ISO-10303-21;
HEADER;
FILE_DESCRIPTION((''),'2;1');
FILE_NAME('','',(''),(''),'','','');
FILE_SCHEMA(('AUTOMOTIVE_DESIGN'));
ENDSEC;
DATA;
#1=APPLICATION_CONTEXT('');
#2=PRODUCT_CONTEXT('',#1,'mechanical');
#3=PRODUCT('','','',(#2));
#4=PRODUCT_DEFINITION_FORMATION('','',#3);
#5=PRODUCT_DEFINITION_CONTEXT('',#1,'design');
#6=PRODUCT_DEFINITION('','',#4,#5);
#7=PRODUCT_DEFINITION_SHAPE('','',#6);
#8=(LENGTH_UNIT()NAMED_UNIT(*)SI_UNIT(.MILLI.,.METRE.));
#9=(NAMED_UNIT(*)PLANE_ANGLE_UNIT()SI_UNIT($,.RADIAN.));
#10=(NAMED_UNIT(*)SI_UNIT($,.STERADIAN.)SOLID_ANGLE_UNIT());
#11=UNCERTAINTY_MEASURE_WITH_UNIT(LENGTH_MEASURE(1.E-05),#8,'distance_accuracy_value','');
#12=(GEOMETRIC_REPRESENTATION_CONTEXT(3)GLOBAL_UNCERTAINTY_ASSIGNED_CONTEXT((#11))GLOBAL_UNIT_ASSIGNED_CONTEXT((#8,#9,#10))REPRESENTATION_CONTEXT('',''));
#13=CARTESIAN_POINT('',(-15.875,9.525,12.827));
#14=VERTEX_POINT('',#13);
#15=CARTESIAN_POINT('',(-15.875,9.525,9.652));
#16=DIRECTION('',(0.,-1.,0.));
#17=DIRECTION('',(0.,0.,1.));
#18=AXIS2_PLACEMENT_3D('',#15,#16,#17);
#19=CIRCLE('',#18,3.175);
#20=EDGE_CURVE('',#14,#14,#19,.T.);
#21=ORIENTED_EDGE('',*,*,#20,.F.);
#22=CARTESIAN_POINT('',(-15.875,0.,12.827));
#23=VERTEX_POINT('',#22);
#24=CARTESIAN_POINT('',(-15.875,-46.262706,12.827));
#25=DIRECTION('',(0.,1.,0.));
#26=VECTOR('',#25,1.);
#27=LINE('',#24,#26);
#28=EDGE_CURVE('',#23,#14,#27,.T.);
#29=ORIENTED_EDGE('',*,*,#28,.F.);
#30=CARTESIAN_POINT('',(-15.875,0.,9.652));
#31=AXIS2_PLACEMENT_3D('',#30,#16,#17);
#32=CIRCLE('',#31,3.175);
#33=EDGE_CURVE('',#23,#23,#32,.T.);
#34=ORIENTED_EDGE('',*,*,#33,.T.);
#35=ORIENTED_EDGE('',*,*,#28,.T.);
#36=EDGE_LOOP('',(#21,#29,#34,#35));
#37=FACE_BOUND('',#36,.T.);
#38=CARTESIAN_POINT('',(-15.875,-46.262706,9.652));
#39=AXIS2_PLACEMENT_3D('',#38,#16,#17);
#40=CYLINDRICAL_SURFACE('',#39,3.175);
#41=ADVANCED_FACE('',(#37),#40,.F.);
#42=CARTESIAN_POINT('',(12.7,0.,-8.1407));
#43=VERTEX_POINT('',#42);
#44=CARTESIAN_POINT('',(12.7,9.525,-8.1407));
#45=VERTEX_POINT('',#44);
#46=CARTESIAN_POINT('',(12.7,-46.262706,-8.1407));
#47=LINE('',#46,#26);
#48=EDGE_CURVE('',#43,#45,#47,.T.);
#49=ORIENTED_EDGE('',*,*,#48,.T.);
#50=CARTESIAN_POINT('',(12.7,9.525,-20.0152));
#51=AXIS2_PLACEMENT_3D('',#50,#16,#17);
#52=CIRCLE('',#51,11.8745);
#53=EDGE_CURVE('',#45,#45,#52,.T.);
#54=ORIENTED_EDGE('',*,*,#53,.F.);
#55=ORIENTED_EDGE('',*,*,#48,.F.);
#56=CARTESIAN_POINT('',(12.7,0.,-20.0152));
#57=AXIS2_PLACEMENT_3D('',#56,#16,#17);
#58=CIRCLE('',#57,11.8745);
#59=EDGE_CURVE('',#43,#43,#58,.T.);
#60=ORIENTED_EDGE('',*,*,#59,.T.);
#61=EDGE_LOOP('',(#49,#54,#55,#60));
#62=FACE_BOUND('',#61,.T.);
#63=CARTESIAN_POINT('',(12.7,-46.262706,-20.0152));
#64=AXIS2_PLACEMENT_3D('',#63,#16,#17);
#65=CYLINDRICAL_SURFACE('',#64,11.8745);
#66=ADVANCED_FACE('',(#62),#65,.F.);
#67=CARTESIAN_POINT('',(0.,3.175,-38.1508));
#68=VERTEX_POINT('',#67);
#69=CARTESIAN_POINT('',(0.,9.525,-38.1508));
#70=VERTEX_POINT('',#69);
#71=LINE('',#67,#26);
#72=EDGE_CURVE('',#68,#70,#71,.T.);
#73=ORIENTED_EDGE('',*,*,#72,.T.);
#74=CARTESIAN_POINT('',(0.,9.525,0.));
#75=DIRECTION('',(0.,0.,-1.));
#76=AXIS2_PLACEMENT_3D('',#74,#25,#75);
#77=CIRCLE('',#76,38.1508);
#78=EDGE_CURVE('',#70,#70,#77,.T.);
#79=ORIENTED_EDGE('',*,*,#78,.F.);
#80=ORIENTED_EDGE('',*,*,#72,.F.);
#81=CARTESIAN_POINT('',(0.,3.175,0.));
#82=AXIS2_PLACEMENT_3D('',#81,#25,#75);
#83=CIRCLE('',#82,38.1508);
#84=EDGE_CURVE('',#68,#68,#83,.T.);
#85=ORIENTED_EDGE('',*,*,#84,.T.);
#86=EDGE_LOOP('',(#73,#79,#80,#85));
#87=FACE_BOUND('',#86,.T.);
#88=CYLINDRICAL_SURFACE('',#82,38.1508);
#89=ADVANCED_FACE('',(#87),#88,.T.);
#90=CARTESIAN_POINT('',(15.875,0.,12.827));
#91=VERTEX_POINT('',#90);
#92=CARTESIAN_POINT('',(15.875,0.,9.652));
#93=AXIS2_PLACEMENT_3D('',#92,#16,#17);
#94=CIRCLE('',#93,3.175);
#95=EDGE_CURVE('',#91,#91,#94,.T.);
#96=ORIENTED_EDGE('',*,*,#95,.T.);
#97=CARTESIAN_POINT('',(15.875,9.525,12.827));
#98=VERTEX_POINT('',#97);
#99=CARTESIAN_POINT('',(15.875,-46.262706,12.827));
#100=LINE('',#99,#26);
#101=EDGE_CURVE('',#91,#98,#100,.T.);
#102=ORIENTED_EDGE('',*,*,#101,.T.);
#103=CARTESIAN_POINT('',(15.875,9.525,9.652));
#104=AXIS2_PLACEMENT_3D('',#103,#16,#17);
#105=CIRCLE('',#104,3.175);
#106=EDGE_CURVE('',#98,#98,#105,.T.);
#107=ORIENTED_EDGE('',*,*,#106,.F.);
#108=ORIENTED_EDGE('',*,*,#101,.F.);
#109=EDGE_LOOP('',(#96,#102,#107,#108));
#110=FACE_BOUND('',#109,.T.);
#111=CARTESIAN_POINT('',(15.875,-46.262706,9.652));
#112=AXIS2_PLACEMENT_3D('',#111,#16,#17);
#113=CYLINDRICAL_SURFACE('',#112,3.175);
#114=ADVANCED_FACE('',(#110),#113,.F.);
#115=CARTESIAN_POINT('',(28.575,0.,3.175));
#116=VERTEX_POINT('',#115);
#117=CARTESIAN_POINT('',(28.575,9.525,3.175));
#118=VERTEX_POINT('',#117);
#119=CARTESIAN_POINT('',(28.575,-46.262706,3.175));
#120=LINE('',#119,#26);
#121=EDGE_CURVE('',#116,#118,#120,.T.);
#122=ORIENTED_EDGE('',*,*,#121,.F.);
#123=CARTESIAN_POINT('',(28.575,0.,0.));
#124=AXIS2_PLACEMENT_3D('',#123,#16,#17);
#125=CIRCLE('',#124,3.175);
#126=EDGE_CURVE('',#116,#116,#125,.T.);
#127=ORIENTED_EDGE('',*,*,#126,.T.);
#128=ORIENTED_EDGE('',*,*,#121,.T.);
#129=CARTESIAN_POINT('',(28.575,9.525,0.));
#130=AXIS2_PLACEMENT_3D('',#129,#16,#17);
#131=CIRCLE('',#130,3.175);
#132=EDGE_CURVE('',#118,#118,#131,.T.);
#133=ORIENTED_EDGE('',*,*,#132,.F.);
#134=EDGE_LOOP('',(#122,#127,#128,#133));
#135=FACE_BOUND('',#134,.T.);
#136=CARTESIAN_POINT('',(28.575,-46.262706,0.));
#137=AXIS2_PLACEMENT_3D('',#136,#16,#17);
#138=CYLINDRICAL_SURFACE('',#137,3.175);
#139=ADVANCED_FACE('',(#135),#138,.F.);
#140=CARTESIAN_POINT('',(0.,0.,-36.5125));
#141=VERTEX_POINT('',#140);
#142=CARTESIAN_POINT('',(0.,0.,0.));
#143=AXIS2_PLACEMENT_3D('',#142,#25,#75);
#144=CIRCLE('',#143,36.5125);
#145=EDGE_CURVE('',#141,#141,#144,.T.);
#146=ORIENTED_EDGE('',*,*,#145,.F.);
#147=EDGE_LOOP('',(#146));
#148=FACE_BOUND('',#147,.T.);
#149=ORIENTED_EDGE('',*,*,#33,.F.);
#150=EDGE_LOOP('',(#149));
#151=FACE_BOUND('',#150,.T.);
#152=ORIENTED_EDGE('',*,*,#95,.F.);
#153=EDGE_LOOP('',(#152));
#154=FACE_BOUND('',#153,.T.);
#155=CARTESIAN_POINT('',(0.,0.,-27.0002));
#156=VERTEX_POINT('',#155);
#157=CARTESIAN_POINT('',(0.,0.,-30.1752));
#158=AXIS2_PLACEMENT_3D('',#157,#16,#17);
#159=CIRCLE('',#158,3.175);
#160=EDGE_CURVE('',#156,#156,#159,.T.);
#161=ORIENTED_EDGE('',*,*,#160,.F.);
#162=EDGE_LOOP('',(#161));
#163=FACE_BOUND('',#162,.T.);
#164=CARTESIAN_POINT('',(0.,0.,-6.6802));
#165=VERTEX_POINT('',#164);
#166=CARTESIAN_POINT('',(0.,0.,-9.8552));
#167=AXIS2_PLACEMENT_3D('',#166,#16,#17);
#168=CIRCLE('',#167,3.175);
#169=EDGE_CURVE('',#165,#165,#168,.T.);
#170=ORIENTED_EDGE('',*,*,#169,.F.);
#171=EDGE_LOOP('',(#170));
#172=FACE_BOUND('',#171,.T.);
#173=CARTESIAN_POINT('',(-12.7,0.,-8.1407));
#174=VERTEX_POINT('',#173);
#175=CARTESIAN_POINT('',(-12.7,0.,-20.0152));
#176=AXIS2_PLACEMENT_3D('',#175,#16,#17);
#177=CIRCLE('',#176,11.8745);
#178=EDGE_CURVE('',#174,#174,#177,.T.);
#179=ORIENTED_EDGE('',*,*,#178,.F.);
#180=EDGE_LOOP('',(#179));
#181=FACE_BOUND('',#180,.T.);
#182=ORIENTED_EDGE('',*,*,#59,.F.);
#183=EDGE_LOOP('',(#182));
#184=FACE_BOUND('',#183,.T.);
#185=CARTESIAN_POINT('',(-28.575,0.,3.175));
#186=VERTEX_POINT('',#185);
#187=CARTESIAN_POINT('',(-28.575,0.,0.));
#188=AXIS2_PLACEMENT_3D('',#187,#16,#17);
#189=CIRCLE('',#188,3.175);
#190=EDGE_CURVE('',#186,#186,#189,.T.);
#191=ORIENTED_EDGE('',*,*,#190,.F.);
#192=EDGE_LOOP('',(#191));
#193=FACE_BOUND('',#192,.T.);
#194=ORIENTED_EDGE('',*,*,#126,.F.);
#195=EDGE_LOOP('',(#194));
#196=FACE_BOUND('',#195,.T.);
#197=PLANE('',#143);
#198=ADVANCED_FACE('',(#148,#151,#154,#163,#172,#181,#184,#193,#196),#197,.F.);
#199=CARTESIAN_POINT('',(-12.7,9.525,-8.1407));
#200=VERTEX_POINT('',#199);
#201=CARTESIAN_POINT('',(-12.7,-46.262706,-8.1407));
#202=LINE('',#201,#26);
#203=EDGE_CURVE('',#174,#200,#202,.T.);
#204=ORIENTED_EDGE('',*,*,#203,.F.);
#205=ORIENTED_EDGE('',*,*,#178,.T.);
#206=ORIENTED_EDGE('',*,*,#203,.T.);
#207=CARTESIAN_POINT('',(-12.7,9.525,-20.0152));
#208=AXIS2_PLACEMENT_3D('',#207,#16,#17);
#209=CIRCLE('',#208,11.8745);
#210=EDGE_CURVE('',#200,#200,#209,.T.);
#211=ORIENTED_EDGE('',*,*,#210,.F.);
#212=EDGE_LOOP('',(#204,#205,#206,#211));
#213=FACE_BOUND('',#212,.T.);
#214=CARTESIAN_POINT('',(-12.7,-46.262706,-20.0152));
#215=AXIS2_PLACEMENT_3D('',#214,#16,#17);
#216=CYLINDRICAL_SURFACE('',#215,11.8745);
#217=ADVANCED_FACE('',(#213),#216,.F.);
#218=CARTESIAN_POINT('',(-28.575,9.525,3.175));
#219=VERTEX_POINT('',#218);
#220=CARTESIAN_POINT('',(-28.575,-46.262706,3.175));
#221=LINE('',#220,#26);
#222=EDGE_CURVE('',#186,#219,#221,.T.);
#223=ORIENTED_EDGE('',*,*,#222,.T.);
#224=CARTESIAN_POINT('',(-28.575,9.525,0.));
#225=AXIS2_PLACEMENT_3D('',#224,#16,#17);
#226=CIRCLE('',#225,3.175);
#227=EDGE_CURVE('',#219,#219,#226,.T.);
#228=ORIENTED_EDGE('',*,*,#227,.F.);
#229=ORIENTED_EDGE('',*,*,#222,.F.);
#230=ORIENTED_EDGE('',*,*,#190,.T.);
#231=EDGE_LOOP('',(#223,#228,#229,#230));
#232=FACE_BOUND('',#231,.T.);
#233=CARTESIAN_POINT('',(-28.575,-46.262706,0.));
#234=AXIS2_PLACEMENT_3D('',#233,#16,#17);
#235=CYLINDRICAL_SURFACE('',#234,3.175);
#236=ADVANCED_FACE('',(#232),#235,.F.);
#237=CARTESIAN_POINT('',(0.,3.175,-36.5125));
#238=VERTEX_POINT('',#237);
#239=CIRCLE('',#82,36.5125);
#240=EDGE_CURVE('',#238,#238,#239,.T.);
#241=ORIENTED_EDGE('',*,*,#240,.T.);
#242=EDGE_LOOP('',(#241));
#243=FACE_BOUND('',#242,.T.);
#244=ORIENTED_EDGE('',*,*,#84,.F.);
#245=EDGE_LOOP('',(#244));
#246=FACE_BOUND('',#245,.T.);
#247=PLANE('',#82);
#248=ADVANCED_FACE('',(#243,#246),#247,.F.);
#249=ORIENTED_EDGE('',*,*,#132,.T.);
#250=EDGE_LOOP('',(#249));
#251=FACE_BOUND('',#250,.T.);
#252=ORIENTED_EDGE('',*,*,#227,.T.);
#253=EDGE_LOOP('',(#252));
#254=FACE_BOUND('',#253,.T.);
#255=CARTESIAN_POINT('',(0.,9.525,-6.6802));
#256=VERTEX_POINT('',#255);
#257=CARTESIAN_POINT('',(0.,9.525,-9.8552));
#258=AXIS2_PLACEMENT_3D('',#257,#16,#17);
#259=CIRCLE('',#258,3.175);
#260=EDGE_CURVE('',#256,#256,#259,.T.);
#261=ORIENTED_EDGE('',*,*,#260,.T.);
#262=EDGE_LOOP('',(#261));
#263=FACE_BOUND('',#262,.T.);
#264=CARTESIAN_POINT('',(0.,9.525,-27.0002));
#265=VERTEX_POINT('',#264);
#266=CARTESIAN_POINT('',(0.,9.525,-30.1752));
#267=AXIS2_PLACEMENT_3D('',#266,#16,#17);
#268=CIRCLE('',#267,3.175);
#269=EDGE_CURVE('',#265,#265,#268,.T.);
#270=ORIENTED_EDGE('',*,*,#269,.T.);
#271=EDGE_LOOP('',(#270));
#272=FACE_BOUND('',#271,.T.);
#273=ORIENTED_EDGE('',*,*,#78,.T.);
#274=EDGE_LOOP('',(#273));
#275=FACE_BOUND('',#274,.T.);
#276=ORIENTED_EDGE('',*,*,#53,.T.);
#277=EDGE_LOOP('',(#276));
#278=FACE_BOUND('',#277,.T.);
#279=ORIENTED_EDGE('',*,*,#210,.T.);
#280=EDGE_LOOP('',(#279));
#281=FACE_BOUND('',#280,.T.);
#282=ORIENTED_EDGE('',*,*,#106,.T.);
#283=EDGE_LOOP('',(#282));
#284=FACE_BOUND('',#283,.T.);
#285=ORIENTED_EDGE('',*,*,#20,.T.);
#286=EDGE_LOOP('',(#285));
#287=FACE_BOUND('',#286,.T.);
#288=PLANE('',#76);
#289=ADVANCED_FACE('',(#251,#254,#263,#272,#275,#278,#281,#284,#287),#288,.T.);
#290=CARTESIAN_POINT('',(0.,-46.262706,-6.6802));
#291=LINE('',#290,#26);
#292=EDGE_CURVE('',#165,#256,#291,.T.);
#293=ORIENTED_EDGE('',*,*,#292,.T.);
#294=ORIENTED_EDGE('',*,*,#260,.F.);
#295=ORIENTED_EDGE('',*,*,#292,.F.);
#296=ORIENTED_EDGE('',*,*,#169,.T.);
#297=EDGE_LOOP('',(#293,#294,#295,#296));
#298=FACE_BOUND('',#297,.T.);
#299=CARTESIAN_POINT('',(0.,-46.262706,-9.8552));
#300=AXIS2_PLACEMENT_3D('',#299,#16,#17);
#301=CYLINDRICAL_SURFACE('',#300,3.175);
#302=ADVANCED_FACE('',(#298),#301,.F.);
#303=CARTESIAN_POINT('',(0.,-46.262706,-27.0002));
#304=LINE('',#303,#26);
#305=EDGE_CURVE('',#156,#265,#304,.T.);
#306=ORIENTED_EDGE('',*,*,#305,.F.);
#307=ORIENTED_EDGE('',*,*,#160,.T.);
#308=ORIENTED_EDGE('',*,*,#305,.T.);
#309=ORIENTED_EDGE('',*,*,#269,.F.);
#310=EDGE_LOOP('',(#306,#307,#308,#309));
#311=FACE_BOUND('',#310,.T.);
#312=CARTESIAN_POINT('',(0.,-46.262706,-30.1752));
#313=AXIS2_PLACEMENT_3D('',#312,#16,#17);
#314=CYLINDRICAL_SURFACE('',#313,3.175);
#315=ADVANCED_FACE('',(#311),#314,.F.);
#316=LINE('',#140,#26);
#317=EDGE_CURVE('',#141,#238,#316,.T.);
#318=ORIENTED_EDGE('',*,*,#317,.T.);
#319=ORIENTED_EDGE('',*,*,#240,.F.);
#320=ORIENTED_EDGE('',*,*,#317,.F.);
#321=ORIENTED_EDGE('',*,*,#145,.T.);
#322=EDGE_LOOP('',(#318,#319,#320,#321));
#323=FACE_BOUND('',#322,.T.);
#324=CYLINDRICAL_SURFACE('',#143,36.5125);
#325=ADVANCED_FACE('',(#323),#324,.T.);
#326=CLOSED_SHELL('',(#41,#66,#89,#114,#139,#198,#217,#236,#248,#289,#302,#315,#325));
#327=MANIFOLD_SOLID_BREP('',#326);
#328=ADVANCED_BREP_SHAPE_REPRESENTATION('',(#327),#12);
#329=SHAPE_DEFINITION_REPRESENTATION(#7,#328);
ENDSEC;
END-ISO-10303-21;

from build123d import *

# Parameters (mm, degrees)
CUT_EXTRUDE1_DEPTH      = 55.787705795
CUT_EXTRUDE1_DEPTH_BACK = 55.787705795
SKETCH2_R               = 11.8745
SKETCH2_R_2             = 3.175
CUT_EXTRUDE2_DEPTH      = 55.787705795
CUT_EXTRUDE2_DEPTH_BACK = 55.787705795
SKETCH3_R               = 3.175
CUT_EXTRUDE3_DEPTH      = 55.787705795
CUT_EXTRUDE3_DEPTH_BACK = 55.787705795
SKETCH4_R               = 3.175


with BuildPart() as part:
    # Sketch1 → Revolve1 (revolve)
    with BuildSketch(Plane.XY):
        Polygon((0, 0), (36.5125, 0), (36.5125, 3.175), (38.1508, 3.175), (38.1508, 9.525), (0, 9.525), align=None)
    revolve(axis=Axis((0, 0, 0), (0, 1, 0)))

    # Sketch2 → Cut-Extrude1 (cut, two sides: drawn at the far end of the back side and taken through both)
    with BuildSketch(Plane(origin=(0, 9.525, 0), x_dir=(1, 0, 0), z_dir=(0, 1, 0)).offset(-CUT_EXTRUDE1_DEPTH_BACK)):
        with Locations((-12.7, 20.0152)):
            Circle(SKETCH2_R)
        with Locations((12.7, 20.0152)):
            Circle(SKETCH2_R)
        with Locations((0, 30.1752)):
            Circle(SKETCH2_R_2)
        with Locations((0, 9.8552)):
            Circle(SKETCH2_R_2)
    extrude(amount=CUT_EXTRUDE1_DEPTH + CUT_EXTRUDE1_DEPTH_BACK, mode=Mode.SUBTRACT)

    # Sketch3 → Cut-Extrude2 (cut, two sides: drawn at the far end of the back side and taken through both)
    with BuildSketch(Plane(origin=(0, 9.525, 0), x_dir=(1, 0, 0), z_dir=(0, 1, 0)).offset(-CUT_EXTRUDE2_DEPTH_BACK)):
        with Locations((-28.575, 0)):
            Circle(SKETCH3_R)
        with Locations((28.575, 0)):
            Circle(SKETCH3_R)
    extrude(amount=CUT_EXTRUDE2_DEPTH + CUT_EXTRUDE2_DEPTH_BACK, mode=Mode.SUBTRACT)

    # Sketch4 → Cut-Extrude3 (cut, two sides: drawn at the far end of the back side and taken through both)
    with BuildSketch(Plane(origin=(0, 9.525, 0), x_dir=(1, 0, 0), z_dir=(0, 1, 0)).offset(-CUT_EXTRUDE3_DEPTH_BACK)):
        with Locations((-15.875, -9.652)):
            Circle(SKETCH4_R)
        with Locations((15.875, -9.652)):
            Circle(SKETCH4_R)
    extrude(amount=CUT_EXTRUDE3_DEPTH + CUT_EXTRUDE3_DEPTH_BACK, mode=Mode.SUBTRACT)


solid = part.part
